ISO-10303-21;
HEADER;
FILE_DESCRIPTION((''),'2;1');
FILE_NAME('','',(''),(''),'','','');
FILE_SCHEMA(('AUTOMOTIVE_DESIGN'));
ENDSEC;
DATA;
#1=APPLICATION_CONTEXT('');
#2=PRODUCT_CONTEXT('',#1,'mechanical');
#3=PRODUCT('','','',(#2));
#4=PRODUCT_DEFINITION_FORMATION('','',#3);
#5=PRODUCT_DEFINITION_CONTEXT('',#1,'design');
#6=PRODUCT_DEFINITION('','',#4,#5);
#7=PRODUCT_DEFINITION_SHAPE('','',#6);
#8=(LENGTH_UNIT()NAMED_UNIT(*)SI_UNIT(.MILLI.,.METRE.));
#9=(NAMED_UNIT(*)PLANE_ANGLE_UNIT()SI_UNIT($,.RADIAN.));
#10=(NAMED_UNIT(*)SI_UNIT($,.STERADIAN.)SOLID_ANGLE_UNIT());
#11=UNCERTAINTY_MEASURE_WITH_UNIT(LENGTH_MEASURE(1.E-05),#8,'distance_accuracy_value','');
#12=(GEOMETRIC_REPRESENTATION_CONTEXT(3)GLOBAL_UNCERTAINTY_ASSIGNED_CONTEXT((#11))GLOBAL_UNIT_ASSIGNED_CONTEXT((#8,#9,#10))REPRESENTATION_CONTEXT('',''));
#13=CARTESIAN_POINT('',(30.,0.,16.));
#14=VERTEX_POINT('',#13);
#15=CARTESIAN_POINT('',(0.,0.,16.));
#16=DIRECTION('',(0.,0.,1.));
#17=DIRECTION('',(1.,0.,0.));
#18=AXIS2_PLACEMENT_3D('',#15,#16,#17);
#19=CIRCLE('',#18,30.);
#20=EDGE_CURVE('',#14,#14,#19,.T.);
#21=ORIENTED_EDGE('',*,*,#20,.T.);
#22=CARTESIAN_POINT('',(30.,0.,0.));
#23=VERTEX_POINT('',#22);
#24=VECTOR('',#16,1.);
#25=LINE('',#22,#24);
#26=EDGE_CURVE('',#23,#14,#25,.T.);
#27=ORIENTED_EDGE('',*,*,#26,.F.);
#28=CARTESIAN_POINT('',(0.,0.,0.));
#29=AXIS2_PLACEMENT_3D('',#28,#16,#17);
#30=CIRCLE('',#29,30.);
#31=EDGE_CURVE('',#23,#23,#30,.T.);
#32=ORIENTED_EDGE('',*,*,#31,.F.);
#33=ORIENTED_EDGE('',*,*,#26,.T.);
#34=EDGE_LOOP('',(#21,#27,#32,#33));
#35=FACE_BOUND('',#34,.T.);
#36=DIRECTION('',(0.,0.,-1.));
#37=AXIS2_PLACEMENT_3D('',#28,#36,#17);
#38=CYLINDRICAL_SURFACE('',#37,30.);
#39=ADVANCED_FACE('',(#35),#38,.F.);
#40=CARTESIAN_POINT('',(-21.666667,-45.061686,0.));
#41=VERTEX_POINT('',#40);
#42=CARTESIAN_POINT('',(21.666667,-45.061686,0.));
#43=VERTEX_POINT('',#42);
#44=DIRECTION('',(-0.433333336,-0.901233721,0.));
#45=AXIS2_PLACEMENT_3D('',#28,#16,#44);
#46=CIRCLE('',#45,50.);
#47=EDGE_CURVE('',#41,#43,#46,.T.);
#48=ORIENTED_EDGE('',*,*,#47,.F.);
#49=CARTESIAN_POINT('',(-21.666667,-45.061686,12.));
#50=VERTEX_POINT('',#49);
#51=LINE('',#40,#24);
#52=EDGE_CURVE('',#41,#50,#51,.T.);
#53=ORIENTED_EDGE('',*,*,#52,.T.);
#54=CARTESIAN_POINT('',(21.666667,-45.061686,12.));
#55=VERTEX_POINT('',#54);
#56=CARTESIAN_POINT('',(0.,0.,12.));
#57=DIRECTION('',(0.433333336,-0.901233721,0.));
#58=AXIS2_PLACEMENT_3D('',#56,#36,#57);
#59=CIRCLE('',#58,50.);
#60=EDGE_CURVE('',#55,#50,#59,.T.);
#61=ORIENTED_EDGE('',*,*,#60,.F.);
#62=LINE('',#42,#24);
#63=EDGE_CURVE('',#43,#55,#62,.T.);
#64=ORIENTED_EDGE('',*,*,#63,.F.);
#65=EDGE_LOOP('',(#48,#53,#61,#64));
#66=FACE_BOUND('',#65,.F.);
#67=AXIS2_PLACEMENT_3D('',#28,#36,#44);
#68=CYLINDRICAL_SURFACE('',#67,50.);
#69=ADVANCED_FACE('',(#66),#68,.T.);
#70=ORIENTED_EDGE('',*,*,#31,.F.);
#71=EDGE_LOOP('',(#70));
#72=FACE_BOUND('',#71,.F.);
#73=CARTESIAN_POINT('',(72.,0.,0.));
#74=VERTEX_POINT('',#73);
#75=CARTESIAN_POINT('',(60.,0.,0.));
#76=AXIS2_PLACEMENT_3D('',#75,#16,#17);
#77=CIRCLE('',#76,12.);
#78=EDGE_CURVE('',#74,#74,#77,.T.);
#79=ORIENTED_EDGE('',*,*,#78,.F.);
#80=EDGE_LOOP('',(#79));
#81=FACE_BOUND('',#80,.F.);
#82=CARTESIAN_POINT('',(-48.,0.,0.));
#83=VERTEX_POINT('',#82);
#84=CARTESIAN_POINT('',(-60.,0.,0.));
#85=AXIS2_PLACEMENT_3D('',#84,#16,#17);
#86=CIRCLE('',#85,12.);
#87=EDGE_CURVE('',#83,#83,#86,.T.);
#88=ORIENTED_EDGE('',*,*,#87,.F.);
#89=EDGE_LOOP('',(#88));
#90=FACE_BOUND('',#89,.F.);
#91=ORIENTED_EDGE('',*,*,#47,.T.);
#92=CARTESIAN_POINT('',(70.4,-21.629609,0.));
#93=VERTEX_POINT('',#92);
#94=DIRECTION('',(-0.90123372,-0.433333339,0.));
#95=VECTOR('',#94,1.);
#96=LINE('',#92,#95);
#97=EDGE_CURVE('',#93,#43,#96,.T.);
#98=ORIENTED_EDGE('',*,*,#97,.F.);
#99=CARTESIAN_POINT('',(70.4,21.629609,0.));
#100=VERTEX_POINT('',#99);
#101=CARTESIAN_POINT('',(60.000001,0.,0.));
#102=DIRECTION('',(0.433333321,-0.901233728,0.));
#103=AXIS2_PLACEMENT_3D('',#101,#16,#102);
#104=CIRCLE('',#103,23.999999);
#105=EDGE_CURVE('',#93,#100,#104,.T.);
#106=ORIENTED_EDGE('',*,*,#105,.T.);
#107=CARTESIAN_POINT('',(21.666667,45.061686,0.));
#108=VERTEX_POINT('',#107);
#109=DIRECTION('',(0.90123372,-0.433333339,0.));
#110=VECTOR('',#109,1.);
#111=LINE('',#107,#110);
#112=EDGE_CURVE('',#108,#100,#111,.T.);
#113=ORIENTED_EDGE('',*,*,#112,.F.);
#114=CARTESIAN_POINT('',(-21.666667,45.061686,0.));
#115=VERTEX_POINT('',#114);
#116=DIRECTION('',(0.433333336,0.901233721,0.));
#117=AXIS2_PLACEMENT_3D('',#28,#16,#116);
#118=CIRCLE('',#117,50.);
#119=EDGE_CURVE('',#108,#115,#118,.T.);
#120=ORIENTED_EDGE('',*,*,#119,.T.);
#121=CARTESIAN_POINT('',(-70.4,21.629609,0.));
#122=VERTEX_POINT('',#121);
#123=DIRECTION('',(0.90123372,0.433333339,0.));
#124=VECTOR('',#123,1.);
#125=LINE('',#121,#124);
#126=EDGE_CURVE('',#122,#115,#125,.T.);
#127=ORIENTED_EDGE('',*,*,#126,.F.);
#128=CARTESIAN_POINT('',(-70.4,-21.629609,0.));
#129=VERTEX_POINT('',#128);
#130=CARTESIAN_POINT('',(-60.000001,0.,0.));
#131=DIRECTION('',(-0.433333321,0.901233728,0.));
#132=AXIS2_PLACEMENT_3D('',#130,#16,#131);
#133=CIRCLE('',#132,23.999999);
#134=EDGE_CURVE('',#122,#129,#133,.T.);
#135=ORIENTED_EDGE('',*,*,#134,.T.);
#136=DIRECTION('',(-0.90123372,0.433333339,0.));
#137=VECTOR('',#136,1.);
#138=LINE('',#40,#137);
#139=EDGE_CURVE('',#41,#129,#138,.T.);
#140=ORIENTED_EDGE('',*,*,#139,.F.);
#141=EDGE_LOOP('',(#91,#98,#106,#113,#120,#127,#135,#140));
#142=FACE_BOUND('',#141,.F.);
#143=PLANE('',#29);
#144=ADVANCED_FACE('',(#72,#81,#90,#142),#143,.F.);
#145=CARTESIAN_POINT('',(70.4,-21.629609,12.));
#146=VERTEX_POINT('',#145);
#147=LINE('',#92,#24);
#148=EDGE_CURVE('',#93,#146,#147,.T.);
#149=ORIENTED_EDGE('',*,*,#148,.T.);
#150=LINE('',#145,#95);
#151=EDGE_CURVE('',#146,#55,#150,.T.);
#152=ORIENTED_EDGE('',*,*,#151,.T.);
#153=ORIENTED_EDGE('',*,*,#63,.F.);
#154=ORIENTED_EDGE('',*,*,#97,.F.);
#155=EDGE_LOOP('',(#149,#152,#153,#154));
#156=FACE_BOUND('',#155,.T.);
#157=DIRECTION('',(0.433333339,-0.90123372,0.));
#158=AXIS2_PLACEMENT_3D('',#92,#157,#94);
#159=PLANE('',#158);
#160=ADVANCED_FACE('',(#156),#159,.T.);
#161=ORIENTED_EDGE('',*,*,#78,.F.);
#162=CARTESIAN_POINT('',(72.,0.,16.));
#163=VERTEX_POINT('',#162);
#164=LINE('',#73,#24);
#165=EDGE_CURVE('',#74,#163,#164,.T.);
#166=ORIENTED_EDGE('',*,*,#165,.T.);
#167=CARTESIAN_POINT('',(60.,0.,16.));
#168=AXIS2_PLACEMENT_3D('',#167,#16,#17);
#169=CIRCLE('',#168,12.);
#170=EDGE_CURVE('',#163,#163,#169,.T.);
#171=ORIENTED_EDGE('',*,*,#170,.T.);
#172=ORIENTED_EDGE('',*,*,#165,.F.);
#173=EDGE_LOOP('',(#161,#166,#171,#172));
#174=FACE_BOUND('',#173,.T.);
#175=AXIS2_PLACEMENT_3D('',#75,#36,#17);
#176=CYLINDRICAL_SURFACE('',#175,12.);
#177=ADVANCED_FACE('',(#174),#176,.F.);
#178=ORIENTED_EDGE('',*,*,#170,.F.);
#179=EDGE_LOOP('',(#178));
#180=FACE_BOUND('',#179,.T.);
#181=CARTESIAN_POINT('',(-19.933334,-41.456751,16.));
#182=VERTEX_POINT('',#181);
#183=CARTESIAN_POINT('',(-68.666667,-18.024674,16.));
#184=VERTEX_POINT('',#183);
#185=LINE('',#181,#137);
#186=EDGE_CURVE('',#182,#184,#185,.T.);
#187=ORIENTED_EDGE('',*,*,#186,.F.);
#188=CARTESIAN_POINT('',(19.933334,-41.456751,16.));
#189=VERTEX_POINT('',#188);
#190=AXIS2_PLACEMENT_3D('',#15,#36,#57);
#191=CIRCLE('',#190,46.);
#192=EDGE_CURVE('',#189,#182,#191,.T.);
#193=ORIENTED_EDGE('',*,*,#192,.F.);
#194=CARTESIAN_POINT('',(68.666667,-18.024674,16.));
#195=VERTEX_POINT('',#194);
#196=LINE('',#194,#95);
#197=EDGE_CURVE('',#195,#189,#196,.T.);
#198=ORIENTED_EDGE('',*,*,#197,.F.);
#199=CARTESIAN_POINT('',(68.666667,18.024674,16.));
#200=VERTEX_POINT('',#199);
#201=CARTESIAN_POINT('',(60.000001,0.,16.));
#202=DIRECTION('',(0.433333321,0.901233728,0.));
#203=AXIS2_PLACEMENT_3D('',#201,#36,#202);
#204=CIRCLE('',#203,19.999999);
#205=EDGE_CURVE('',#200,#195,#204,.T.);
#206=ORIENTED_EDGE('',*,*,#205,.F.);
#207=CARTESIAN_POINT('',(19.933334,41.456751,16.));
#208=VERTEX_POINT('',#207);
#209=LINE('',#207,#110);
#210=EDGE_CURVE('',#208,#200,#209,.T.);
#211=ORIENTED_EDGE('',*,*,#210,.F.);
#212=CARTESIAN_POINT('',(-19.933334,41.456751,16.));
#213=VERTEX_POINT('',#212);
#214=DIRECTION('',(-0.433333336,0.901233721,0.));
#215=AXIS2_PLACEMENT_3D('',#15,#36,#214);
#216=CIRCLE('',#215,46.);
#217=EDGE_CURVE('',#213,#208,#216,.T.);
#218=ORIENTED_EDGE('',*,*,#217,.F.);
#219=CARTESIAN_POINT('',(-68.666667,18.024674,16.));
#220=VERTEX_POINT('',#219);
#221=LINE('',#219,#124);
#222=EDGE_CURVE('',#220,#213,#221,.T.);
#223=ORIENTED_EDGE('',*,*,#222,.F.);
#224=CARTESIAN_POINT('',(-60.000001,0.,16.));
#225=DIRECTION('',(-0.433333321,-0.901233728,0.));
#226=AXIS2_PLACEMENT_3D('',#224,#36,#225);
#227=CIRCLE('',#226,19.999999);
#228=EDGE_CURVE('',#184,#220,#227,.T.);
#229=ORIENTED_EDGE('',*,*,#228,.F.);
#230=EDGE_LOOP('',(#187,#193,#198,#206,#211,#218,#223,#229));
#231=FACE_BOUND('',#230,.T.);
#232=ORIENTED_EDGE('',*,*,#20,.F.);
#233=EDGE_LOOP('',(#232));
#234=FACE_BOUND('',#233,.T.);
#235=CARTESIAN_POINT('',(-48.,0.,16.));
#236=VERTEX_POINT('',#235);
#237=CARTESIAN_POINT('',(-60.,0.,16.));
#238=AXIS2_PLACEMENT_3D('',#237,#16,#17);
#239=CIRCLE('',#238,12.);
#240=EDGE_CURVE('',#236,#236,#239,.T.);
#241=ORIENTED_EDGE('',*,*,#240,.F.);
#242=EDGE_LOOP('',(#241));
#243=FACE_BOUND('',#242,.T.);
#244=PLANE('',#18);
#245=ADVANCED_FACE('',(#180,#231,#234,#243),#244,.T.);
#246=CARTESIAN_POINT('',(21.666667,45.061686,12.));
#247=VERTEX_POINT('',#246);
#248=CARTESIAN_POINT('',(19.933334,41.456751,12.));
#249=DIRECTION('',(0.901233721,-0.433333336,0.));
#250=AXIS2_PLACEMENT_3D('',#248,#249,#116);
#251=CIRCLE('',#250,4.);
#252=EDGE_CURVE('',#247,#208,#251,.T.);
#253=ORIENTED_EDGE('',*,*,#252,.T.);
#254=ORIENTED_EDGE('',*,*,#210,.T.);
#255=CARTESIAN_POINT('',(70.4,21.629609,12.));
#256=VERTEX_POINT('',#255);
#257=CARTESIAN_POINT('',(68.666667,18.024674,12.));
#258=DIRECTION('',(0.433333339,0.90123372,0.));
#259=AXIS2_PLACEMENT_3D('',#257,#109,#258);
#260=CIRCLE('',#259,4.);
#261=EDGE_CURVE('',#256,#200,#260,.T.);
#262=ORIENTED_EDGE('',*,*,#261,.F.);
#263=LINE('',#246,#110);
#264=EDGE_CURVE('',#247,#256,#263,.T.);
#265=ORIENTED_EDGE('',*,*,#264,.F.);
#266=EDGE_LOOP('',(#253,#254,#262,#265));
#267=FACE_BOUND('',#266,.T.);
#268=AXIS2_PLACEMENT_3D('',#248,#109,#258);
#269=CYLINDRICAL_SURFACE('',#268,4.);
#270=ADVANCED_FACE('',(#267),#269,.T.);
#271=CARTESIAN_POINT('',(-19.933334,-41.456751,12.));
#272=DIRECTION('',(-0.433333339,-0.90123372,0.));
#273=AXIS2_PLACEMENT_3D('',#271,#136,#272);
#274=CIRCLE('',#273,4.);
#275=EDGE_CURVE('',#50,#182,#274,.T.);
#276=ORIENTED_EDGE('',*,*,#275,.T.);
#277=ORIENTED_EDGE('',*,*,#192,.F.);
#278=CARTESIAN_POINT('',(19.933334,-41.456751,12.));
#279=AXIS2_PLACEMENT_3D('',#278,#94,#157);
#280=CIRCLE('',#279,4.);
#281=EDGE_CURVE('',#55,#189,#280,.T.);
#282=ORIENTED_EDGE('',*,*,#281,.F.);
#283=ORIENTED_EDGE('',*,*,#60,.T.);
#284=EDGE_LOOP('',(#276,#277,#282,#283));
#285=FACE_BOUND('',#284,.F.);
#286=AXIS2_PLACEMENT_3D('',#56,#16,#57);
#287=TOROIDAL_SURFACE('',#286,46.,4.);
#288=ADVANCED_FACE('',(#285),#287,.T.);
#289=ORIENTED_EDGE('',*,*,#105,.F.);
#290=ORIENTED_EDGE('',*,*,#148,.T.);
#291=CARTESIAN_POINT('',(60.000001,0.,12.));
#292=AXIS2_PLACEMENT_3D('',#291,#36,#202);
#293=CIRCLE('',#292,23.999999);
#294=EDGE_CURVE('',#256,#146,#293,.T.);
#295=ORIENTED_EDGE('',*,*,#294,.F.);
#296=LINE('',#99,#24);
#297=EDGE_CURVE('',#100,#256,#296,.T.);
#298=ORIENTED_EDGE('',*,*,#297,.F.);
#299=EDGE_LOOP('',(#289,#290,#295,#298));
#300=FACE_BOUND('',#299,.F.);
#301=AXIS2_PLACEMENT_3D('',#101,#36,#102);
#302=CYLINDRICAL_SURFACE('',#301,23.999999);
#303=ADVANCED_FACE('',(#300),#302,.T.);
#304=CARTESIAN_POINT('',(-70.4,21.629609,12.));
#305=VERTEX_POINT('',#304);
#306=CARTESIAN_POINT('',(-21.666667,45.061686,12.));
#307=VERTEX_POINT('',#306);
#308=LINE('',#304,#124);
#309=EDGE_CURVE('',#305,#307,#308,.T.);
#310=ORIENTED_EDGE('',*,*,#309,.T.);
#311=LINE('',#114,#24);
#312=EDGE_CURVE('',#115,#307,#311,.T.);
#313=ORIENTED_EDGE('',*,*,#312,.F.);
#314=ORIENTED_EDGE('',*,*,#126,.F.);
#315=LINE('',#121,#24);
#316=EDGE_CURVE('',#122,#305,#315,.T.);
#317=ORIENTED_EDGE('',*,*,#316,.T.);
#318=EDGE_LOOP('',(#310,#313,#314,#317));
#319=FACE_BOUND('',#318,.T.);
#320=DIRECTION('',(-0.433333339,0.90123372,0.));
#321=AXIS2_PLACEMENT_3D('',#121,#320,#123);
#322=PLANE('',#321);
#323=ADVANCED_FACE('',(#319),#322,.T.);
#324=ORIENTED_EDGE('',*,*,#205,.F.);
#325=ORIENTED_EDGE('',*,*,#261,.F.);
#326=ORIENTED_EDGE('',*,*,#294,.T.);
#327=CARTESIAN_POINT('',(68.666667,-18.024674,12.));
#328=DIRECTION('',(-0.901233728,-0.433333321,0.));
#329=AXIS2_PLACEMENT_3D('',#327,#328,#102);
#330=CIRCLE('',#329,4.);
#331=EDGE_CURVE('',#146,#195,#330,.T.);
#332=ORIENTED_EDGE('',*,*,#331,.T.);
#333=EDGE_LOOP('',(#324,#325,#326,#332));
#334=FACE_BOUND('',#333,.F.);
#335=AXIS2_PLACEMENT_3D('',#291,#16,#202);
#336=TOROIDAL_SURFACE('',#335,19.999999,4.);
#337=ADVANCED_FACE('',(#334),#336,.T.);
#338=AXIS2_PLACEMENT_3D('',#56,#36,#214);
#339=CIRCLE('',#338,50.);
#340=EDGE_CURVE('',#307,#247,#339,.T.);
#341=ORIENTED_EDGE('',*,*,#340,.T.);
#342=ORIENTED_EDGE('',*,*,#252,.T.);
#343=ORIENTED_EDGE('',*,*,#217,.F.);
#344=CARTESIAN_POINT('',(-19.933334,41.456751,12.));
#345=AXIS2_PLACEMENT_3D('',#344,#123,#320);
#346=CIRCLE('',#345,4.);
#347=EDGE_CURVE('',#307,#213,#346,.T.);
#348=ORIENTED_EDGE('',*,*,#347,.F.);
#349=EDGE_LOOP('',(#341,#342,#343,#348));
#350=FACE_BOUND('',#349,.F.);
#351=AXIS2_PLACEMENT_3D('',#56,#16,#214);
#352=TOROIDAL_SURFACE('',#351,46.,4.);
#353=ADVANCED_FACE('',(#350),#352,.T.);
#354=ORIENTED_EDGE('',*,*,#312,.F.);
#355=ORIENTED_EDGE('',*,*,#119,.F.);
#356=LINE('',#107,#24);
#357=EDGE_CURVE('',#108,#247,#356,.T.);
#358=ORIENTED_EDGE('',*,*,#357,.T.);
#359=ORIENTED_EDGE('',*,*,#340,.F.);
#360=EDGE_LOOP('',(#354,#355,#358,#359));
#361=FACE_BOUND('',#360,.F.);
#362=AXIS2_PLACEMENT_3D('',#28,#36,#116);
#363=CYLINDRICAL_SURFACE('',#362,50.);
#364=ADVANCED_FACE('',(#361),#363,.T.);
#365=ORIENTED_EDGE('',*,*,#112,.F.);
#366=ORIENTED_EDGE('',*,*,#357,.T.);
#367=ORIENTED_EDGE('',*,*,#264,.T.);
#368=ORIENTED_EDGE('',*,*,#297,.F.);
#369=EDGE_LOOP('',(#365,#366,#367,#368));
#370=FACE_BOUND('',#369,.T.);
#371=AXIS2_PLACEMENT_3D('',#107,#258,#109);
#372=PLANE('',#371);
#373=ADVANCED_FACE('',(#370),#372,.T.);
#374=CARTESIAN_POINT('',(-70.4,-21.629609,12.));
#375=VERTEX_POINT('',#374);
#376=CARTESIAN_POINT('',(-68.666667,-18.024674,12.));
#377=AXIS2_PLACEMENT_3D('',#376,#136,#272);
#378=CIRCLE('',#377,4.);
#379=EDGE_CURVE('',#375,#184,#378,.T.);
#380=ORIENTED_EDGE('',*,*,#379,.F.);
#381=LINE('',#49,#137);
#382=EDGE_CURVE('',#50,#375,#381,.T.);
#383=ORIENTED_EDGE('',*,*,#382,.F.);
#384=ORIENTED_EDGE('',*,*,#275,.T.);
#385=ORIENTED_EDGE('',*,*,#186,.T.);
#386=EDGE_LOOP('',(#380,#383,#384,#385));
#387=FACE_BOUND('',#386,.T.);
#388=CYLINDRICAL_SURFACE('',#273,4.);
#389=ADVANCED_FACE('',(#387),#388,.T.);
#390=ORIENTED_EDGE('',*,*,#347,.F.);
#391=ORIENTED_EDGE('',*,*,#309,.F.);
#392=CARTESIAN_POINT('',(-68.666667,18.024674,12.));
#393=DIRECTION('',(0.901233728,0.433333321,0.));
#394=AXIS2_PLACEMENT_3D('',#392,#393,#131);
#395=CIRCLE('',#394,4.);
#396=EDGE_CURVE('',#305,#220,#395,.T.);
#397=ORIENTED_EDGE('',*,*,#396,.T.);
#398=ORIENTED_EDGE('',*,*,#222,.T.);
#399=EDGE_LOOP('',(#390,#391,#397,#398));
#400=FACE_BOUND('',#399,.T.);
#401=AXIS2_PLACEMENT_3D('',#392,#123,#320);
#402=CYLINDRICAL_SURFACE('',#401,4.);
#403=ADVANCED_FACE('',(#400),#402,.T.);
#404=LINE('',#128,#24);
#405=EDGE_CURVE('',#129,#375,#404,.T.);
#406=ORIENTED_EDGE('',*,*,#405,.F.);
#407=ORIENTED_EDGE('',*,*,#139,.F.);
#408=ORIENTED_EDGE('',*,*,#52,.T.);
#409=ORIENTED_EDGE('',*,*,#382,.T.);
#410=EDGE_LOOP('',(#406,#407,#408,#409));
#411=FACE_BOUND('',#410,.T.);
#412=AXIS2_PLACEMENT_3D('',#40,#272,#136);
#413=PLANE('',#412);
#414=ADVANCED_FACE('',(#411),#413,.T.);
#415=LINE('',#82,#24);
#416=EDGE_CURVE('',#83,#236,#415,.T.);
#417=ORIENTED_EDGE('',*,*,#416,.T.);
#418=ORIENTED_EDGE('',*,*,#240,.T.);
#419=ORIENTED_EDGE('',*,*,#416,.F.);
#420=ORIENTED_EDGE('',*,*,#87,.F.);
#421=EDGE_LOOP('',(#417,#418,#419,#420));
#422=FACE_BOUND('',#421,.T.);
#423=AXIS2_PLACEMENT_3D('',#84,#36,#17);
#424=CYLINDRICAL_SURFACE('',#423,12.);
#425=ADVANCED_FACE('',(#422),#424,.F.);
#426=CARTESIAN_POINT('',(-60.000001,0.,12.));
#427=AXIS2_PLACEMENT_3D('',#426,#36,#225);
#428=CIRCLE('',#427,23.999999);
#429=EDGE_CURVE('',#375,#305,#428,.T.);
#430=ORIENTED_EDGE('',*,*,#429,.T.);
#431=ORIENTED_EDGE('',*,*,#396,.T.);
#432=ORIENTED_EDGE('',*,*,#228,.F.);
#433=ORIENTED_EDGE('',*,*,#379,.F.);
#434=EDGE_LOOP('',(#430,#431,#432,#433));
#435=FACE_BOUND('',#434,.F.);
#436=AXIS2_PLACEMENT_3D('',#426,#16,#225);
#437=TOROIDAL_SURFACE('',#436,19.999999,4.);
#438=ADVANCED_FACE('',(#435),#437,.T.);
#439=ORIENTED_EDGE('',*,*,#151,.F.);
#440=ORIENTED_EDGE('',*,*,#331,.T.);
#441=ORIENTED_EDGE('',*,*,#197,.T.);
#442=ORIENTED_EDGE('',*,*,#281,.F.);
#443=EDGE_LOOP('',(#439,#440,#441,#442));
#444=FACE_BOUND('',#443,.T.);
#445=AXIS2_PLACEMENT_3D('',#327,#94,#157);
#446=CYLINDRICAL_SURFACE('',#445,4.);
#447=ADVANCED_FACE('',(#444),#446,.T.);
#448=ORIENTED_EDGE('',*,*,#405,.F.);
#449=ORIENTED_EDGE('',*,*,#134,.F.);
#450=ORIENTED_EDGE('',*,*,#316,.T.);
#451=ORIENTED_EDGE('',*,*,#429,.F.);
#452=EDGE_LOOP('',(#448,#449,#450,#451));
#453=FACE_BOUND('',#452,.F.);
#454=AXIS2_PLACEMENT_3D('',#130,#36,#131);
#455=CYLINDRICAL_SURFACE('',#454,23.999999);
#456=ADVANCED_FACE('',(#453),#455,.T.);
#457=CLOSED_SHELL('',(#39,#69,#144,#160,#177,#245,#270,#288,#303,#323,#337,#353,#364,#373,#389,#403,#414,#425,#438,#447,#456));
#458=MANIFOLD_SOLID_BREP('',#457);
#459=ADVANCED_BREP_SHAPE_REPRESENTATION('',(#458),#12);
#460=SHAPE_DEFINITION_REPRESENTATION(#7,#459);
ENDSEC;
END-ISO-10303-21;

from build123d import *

# Parameters (mm, degrees)
SKETCH_R   = 30
SKETCH_R_2 = 12
PAD_DEPTH  = 16
FILLET_R   = 4


with BuildPart() as part:
    # Sketch → Pad (new body)
    with BuildSketch(Plane.XY):
        with BuildLine():
            ThreePointArc((70.4, -21.629609), (84, 0), (70.4, 21.629609))
            Line((21.666667, 45.061686), (70.4, 21.629609))
            ThreePointArc((21.666667, 45.061686), (0, 50), (-21.666667, 45.061686))
            Line((-70.4, 21.629609), (-21.666667, 45.061686))
            ThreePointArc((-70.4, 21.629609), (-84, 0), (-70.4, -21.629609))
            Line((-21.666667, -45.061686), (-70.4, -21.629609))
            ThreePointArc((-21.666667, -45.061686), (0, -50), (21.666667, -45.061686))
            Line((70.4, -21.629609), (21.666667, -45.061686))
        make_face()
        Circle(SKETCH_R, mode=Mode.SUBTRACT)
        with Locations((60, 0)):
            Circle(SKETCH_R_2, mode=Mode.SUBTRACT)
        with Locations((-60, 0)):
            Circle(SKETCH_R_2, mode=Mode.SUBTRACT)
    extrude(amount=PAD_DEPTH)

    # Fillet
    fillet_edges = [part.edges().sort_by_distance(p)[0] for p in [
        (-46.033333, -33.345648, 16),
        (0, -50, 16),
        (46.033333, -33.345648, 16),
        (84, 0, 16),
        (46.033333, 33.345648, 16),
        (0, 50, 16),
        (-46.033333, 33.345648, 16),
        (-84, 0, 16),
    ]]
    fillet(fillet_edges, radius=FILLET_R)


solid = part.part
